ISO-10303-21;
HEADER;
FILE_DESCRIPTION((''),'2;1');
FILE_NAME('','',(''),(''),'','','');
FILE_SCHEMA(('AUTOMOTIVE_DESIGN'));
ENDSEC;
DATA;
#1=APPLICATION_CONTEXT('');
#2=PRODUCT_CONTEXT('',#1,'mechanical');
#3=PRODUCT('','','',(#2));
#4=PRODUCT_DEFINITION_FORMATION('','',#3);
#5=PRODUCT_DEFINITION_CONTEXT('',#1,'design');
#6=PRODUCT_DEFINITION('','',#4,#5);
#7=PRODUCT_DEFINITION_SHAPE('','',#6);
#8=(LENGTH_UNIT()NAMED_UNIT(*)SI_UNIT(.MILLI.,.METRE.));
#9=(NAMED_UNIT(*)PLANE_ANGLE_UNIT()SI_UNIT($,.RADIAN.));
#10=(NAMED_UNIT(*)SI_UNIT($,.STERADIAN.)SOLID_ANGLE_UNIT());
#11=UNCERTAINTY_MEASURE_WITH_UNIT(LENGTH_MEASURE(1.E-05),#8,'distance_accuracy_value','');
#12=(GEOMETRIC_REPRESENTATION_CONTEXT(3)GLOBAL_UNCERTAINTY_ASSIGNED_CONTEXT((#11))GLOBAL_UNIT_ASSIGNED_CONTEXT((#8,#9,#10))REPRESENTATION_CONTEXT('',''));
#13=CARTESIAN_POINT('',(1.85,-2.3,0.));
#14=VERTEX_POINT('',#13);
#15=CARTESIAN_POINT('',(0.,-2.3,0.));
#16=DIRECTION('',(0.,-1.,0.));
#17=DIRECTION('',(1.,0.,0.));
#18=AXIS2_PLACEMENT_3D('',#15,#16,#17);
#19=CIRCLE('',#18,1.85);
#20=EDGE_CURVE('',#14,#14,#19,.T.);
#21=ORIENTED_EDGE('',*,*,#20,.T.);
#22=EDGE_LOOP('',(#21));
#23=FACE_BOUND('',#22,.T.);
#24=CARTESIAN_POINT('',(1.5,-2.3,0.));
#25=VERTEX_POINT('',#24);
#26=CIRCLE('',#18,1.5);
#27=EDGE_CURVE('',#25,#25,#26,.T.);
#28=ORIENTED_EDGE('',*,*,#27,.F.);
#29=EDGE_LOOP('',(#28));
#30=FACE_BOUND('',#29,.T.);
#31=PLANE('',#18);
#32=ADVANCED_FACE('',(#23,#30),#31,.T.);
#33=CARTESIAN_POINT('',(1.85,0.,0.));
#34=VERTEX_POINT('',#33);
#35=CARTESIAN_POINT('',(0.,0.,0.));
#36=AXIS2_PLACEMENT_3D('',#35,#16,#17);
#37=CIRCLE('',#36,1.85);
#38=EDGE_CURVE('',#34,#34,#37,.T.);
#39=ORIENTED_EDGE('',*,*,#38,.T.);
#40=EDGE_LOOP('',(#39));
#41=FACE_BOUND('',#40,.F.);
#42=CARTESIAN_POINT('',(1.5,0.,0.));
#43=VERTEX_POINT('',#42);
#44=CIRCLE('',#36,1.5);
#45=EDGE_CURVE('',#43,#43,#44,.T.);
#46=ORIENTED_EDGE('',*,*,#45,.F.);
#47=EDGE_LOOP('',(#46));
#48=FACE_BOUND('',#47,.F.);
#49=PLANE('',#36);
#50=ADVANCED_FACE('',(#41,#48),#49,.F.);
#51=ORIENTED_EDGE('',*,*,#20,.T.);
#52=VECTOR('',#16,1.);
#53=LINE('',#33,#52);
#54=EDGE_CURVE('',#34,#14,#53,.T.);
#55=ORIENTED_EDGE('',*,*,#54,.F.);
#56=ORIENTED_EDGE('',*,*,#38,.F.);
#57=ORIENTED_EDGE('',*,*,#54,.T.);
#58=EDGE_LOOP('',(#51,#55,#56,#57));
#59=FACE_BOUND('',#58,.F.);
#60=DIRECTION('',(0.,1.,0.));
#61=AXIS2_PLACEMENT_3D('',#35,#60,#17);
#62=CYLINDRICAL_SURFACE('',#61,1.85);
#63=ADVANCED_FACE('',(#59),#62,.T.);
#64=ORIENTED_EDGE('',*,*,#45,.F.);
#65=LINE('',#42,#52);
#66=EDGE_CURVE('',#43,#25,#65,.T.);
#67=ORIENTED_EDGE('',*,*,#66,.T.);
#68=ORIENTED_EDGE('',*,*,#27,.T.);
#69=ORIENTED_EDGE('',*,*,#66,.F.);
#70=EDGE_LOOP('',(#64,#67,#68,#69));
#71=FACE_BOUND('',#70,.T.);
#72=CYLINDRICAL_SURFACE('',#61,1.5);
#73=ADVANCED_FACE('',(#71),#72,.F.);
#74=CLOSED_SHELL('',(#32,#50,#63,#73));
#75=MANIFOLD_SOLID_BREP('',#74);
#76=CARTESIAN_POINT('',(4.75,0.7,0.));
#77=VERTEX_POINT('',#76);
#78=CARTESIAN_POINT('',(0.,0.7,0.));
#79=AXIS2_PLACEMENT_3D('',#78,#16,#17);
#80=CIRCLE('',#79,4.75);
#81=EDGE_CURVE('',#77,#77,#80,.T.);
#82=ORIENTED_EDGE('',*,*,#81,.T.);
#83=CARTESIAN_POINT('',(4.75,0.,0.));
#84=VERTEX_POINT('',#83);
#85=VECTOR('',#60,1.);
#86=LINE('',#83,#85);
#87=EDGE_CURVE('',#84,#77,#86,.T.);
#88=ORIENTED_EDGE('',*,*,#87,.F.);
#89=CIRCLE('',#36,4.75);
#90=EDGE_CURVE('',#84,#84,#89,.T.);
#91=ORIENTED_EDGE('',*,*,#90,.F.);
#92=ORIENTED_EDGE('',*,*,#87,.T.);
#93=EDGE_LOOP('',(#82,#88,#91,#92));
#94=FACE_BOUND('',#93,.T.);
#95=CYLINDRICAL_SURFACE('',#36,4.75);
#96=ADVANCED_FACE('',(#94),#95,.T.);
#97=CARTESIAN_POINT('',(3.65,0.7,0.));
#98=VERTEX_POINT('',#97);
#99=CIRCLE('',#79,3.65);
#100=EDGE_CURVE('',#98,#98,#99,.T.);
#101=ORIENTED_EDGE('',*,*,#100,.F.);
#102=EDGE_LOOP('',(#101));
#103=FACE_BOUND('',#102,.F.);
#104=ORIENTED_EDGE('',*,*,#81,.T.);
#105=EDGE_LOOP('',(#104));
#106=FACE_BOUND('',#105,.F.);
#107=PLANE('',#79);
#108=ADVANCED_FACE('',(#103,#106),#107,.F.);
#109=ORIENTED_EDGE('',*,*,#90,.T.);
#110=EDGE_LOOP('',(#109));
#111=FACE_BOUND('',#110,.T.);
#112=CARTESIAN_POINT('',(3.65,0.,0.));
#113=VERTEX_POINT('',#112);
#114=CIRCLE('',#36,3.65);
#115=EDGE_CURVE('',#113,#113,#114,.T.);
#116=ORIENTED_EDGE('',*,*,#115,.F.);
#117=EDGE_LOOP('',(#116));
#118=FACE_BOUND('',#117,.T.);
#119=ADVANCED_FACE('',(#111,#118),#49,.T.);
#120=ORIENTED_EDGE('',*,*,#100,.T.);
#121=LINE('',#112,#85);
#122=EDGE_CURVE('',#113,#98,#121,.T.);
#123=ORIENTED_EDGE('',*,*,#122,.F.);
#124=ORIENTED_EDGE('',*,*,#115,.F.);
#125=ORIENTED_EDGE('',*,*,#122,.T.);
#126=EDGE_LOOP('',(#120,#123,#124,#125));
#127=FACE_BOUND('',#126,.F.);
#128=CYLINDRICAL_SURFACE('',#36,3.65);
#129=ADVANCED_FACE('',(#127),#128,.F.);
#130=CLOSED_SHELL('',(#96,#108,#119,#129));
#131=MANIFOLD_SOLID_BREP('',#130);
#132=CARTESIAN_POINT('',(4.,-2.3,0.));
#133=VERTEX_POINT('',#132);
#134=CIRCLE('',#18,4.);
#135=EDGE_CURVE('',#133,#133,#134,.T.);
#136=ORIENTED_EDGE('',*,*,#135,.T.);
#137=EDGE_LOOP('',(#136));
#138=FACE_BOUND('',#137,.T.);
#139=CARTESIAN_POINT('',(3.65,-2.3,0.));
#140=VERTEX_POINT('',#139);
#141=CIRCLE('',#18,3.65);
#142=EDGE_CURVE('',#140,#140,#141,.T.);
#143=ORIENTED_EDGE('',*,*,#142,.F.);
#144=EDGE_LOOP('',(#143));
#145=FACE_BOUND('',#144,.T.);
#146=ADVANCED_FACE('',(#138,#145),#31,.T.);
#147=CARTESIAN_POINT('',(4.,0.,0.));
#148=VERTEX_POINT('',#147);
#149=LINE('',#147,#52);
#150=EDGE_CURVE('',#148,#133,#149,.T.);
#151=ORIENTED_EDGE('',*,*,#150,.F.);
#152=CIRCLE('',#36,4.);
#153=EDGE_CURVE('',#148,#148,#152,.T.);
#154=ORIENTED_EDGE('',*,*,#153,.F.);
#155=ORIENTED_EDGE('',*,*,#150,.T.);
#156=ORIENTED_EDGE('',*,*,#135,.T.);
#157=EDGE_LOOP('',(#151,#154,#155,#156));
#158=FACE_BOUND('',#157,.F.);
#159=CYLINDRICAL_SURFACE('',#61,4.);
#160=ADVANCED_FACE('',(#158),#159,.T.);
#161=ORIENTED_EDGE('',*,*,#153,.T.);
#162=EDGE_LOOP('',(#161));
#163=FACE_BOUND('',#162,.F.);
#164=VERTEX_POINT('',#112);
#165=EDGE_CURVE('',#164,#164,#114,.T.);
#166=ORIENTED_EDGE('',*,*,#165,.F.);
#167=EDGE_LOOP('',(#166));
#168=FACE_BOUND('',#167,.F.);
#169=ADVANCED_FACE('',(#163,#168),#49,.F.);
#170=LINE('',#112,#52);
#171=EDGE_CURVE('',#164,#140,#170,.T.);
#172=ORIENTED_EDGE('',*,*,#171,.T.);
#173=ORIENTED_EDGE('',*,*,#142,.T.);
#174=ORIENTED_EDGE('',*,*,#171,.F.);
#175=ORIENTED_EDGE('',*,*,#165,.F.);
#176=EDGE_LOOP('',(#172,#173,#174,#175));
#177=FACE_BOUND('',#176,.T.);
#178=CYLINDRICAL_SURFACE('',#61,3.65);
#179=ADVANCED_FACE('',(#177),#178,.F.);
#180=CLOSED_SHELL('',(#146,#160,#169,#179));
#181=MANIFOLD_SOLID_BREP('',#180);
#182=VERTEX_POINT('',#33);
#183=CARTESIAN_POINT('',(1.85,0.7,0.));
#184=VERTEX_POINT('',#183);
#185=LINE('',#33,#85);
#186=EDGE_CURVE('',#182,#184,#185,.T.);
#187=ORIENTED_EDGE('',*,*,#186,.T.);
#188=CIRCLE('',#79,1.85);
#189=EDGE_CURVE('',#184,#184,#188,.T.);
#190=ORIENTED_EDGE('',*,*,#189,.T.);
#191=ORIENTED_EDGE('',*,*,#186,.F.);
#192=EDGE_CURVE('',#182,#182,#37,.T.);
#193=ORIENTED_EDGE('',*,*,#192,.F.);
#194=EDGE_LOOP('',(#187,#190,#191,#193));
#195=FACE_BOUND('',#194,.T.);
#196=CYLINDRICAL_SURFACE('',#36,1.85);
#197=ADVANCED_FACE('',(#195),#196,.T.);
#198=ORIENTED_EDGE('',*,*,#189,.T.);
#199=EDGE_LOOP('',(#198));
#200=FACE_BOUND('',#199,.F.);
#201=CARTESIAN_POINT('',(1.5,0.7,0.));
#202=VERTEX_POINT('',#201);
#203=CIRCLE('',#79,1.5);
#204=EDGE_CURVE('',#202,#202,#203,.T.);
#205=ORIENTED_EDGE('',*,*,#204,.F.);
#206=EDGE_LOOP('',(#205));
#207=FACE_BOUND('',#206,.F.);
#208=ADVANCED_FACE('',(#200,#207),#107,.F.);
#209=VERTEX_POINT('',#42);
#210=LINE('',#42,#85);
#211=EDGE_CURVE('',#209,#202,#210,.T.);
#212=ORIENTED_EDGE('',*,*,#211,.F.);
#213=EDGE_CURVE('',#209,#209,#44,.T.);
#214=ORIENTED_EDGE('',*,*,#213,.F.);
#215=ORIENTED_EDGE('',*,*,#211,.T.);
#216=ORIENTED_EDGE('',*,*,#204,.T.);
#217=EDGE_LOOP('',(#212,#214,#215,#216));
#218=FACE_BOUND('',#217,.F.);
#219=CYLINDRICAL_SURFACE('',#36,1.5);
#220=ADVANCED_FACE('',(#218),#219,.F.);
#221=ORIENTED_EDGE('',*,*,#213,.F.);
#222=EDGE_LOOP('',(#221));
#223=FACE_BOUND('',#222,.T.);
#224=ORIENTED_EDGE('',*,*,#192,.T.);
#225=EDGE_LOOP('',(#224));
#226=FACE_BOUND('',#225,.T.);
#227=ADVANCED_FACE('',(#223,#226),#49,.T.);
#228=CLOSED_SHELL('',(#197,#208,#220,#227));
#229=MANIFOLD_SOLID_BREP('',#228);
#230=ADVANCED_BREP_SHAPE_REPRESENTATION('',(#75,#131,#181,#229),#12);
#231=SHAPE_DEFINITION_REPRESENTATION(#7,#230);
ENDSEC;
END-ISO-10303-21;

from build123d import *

# Parameters (mm, degrees)
F0_R     = 4
F0_R_2   = 3.65
F0_R_3   = 1.85
F0_R_4   = 1.5
F1_DEPTH = 2.3
F0_R_5   = 4.75
F2_DEPTH = 0.7


with BuildPart() as f1:
    # F0 (on Front) → F1 (new body)
    with BuildSketch(Plane.XZ):
        Circle(F0_R)
        Circle(F0_R_2, mode=Mode.SUBTRACT)
        Circle(F0_R_3)
        Circle(F0_R_4, mode=Mode.SUBTRACT)
    extrude(amount=F1_DEPTH)


with BuildPart() as f2:
    # F0 (on Front) → F2 (new body)
    with BuildSketch(Plane.XZ):
        Circle(F0_R_5)
        Circle(F0_R, mode=Mode.SUBTRACT)
        Circle(F0_R)
        Circle(F0_R_2, mode=Mode.SUBTRACT)
        Circle(F0_R_3)
        Circle(F0_R_4, mode=Mode.SUBTRACT)
    extrude(amount=-F2_DEPTH)


solid = Compound([f1.part, f2.part])
